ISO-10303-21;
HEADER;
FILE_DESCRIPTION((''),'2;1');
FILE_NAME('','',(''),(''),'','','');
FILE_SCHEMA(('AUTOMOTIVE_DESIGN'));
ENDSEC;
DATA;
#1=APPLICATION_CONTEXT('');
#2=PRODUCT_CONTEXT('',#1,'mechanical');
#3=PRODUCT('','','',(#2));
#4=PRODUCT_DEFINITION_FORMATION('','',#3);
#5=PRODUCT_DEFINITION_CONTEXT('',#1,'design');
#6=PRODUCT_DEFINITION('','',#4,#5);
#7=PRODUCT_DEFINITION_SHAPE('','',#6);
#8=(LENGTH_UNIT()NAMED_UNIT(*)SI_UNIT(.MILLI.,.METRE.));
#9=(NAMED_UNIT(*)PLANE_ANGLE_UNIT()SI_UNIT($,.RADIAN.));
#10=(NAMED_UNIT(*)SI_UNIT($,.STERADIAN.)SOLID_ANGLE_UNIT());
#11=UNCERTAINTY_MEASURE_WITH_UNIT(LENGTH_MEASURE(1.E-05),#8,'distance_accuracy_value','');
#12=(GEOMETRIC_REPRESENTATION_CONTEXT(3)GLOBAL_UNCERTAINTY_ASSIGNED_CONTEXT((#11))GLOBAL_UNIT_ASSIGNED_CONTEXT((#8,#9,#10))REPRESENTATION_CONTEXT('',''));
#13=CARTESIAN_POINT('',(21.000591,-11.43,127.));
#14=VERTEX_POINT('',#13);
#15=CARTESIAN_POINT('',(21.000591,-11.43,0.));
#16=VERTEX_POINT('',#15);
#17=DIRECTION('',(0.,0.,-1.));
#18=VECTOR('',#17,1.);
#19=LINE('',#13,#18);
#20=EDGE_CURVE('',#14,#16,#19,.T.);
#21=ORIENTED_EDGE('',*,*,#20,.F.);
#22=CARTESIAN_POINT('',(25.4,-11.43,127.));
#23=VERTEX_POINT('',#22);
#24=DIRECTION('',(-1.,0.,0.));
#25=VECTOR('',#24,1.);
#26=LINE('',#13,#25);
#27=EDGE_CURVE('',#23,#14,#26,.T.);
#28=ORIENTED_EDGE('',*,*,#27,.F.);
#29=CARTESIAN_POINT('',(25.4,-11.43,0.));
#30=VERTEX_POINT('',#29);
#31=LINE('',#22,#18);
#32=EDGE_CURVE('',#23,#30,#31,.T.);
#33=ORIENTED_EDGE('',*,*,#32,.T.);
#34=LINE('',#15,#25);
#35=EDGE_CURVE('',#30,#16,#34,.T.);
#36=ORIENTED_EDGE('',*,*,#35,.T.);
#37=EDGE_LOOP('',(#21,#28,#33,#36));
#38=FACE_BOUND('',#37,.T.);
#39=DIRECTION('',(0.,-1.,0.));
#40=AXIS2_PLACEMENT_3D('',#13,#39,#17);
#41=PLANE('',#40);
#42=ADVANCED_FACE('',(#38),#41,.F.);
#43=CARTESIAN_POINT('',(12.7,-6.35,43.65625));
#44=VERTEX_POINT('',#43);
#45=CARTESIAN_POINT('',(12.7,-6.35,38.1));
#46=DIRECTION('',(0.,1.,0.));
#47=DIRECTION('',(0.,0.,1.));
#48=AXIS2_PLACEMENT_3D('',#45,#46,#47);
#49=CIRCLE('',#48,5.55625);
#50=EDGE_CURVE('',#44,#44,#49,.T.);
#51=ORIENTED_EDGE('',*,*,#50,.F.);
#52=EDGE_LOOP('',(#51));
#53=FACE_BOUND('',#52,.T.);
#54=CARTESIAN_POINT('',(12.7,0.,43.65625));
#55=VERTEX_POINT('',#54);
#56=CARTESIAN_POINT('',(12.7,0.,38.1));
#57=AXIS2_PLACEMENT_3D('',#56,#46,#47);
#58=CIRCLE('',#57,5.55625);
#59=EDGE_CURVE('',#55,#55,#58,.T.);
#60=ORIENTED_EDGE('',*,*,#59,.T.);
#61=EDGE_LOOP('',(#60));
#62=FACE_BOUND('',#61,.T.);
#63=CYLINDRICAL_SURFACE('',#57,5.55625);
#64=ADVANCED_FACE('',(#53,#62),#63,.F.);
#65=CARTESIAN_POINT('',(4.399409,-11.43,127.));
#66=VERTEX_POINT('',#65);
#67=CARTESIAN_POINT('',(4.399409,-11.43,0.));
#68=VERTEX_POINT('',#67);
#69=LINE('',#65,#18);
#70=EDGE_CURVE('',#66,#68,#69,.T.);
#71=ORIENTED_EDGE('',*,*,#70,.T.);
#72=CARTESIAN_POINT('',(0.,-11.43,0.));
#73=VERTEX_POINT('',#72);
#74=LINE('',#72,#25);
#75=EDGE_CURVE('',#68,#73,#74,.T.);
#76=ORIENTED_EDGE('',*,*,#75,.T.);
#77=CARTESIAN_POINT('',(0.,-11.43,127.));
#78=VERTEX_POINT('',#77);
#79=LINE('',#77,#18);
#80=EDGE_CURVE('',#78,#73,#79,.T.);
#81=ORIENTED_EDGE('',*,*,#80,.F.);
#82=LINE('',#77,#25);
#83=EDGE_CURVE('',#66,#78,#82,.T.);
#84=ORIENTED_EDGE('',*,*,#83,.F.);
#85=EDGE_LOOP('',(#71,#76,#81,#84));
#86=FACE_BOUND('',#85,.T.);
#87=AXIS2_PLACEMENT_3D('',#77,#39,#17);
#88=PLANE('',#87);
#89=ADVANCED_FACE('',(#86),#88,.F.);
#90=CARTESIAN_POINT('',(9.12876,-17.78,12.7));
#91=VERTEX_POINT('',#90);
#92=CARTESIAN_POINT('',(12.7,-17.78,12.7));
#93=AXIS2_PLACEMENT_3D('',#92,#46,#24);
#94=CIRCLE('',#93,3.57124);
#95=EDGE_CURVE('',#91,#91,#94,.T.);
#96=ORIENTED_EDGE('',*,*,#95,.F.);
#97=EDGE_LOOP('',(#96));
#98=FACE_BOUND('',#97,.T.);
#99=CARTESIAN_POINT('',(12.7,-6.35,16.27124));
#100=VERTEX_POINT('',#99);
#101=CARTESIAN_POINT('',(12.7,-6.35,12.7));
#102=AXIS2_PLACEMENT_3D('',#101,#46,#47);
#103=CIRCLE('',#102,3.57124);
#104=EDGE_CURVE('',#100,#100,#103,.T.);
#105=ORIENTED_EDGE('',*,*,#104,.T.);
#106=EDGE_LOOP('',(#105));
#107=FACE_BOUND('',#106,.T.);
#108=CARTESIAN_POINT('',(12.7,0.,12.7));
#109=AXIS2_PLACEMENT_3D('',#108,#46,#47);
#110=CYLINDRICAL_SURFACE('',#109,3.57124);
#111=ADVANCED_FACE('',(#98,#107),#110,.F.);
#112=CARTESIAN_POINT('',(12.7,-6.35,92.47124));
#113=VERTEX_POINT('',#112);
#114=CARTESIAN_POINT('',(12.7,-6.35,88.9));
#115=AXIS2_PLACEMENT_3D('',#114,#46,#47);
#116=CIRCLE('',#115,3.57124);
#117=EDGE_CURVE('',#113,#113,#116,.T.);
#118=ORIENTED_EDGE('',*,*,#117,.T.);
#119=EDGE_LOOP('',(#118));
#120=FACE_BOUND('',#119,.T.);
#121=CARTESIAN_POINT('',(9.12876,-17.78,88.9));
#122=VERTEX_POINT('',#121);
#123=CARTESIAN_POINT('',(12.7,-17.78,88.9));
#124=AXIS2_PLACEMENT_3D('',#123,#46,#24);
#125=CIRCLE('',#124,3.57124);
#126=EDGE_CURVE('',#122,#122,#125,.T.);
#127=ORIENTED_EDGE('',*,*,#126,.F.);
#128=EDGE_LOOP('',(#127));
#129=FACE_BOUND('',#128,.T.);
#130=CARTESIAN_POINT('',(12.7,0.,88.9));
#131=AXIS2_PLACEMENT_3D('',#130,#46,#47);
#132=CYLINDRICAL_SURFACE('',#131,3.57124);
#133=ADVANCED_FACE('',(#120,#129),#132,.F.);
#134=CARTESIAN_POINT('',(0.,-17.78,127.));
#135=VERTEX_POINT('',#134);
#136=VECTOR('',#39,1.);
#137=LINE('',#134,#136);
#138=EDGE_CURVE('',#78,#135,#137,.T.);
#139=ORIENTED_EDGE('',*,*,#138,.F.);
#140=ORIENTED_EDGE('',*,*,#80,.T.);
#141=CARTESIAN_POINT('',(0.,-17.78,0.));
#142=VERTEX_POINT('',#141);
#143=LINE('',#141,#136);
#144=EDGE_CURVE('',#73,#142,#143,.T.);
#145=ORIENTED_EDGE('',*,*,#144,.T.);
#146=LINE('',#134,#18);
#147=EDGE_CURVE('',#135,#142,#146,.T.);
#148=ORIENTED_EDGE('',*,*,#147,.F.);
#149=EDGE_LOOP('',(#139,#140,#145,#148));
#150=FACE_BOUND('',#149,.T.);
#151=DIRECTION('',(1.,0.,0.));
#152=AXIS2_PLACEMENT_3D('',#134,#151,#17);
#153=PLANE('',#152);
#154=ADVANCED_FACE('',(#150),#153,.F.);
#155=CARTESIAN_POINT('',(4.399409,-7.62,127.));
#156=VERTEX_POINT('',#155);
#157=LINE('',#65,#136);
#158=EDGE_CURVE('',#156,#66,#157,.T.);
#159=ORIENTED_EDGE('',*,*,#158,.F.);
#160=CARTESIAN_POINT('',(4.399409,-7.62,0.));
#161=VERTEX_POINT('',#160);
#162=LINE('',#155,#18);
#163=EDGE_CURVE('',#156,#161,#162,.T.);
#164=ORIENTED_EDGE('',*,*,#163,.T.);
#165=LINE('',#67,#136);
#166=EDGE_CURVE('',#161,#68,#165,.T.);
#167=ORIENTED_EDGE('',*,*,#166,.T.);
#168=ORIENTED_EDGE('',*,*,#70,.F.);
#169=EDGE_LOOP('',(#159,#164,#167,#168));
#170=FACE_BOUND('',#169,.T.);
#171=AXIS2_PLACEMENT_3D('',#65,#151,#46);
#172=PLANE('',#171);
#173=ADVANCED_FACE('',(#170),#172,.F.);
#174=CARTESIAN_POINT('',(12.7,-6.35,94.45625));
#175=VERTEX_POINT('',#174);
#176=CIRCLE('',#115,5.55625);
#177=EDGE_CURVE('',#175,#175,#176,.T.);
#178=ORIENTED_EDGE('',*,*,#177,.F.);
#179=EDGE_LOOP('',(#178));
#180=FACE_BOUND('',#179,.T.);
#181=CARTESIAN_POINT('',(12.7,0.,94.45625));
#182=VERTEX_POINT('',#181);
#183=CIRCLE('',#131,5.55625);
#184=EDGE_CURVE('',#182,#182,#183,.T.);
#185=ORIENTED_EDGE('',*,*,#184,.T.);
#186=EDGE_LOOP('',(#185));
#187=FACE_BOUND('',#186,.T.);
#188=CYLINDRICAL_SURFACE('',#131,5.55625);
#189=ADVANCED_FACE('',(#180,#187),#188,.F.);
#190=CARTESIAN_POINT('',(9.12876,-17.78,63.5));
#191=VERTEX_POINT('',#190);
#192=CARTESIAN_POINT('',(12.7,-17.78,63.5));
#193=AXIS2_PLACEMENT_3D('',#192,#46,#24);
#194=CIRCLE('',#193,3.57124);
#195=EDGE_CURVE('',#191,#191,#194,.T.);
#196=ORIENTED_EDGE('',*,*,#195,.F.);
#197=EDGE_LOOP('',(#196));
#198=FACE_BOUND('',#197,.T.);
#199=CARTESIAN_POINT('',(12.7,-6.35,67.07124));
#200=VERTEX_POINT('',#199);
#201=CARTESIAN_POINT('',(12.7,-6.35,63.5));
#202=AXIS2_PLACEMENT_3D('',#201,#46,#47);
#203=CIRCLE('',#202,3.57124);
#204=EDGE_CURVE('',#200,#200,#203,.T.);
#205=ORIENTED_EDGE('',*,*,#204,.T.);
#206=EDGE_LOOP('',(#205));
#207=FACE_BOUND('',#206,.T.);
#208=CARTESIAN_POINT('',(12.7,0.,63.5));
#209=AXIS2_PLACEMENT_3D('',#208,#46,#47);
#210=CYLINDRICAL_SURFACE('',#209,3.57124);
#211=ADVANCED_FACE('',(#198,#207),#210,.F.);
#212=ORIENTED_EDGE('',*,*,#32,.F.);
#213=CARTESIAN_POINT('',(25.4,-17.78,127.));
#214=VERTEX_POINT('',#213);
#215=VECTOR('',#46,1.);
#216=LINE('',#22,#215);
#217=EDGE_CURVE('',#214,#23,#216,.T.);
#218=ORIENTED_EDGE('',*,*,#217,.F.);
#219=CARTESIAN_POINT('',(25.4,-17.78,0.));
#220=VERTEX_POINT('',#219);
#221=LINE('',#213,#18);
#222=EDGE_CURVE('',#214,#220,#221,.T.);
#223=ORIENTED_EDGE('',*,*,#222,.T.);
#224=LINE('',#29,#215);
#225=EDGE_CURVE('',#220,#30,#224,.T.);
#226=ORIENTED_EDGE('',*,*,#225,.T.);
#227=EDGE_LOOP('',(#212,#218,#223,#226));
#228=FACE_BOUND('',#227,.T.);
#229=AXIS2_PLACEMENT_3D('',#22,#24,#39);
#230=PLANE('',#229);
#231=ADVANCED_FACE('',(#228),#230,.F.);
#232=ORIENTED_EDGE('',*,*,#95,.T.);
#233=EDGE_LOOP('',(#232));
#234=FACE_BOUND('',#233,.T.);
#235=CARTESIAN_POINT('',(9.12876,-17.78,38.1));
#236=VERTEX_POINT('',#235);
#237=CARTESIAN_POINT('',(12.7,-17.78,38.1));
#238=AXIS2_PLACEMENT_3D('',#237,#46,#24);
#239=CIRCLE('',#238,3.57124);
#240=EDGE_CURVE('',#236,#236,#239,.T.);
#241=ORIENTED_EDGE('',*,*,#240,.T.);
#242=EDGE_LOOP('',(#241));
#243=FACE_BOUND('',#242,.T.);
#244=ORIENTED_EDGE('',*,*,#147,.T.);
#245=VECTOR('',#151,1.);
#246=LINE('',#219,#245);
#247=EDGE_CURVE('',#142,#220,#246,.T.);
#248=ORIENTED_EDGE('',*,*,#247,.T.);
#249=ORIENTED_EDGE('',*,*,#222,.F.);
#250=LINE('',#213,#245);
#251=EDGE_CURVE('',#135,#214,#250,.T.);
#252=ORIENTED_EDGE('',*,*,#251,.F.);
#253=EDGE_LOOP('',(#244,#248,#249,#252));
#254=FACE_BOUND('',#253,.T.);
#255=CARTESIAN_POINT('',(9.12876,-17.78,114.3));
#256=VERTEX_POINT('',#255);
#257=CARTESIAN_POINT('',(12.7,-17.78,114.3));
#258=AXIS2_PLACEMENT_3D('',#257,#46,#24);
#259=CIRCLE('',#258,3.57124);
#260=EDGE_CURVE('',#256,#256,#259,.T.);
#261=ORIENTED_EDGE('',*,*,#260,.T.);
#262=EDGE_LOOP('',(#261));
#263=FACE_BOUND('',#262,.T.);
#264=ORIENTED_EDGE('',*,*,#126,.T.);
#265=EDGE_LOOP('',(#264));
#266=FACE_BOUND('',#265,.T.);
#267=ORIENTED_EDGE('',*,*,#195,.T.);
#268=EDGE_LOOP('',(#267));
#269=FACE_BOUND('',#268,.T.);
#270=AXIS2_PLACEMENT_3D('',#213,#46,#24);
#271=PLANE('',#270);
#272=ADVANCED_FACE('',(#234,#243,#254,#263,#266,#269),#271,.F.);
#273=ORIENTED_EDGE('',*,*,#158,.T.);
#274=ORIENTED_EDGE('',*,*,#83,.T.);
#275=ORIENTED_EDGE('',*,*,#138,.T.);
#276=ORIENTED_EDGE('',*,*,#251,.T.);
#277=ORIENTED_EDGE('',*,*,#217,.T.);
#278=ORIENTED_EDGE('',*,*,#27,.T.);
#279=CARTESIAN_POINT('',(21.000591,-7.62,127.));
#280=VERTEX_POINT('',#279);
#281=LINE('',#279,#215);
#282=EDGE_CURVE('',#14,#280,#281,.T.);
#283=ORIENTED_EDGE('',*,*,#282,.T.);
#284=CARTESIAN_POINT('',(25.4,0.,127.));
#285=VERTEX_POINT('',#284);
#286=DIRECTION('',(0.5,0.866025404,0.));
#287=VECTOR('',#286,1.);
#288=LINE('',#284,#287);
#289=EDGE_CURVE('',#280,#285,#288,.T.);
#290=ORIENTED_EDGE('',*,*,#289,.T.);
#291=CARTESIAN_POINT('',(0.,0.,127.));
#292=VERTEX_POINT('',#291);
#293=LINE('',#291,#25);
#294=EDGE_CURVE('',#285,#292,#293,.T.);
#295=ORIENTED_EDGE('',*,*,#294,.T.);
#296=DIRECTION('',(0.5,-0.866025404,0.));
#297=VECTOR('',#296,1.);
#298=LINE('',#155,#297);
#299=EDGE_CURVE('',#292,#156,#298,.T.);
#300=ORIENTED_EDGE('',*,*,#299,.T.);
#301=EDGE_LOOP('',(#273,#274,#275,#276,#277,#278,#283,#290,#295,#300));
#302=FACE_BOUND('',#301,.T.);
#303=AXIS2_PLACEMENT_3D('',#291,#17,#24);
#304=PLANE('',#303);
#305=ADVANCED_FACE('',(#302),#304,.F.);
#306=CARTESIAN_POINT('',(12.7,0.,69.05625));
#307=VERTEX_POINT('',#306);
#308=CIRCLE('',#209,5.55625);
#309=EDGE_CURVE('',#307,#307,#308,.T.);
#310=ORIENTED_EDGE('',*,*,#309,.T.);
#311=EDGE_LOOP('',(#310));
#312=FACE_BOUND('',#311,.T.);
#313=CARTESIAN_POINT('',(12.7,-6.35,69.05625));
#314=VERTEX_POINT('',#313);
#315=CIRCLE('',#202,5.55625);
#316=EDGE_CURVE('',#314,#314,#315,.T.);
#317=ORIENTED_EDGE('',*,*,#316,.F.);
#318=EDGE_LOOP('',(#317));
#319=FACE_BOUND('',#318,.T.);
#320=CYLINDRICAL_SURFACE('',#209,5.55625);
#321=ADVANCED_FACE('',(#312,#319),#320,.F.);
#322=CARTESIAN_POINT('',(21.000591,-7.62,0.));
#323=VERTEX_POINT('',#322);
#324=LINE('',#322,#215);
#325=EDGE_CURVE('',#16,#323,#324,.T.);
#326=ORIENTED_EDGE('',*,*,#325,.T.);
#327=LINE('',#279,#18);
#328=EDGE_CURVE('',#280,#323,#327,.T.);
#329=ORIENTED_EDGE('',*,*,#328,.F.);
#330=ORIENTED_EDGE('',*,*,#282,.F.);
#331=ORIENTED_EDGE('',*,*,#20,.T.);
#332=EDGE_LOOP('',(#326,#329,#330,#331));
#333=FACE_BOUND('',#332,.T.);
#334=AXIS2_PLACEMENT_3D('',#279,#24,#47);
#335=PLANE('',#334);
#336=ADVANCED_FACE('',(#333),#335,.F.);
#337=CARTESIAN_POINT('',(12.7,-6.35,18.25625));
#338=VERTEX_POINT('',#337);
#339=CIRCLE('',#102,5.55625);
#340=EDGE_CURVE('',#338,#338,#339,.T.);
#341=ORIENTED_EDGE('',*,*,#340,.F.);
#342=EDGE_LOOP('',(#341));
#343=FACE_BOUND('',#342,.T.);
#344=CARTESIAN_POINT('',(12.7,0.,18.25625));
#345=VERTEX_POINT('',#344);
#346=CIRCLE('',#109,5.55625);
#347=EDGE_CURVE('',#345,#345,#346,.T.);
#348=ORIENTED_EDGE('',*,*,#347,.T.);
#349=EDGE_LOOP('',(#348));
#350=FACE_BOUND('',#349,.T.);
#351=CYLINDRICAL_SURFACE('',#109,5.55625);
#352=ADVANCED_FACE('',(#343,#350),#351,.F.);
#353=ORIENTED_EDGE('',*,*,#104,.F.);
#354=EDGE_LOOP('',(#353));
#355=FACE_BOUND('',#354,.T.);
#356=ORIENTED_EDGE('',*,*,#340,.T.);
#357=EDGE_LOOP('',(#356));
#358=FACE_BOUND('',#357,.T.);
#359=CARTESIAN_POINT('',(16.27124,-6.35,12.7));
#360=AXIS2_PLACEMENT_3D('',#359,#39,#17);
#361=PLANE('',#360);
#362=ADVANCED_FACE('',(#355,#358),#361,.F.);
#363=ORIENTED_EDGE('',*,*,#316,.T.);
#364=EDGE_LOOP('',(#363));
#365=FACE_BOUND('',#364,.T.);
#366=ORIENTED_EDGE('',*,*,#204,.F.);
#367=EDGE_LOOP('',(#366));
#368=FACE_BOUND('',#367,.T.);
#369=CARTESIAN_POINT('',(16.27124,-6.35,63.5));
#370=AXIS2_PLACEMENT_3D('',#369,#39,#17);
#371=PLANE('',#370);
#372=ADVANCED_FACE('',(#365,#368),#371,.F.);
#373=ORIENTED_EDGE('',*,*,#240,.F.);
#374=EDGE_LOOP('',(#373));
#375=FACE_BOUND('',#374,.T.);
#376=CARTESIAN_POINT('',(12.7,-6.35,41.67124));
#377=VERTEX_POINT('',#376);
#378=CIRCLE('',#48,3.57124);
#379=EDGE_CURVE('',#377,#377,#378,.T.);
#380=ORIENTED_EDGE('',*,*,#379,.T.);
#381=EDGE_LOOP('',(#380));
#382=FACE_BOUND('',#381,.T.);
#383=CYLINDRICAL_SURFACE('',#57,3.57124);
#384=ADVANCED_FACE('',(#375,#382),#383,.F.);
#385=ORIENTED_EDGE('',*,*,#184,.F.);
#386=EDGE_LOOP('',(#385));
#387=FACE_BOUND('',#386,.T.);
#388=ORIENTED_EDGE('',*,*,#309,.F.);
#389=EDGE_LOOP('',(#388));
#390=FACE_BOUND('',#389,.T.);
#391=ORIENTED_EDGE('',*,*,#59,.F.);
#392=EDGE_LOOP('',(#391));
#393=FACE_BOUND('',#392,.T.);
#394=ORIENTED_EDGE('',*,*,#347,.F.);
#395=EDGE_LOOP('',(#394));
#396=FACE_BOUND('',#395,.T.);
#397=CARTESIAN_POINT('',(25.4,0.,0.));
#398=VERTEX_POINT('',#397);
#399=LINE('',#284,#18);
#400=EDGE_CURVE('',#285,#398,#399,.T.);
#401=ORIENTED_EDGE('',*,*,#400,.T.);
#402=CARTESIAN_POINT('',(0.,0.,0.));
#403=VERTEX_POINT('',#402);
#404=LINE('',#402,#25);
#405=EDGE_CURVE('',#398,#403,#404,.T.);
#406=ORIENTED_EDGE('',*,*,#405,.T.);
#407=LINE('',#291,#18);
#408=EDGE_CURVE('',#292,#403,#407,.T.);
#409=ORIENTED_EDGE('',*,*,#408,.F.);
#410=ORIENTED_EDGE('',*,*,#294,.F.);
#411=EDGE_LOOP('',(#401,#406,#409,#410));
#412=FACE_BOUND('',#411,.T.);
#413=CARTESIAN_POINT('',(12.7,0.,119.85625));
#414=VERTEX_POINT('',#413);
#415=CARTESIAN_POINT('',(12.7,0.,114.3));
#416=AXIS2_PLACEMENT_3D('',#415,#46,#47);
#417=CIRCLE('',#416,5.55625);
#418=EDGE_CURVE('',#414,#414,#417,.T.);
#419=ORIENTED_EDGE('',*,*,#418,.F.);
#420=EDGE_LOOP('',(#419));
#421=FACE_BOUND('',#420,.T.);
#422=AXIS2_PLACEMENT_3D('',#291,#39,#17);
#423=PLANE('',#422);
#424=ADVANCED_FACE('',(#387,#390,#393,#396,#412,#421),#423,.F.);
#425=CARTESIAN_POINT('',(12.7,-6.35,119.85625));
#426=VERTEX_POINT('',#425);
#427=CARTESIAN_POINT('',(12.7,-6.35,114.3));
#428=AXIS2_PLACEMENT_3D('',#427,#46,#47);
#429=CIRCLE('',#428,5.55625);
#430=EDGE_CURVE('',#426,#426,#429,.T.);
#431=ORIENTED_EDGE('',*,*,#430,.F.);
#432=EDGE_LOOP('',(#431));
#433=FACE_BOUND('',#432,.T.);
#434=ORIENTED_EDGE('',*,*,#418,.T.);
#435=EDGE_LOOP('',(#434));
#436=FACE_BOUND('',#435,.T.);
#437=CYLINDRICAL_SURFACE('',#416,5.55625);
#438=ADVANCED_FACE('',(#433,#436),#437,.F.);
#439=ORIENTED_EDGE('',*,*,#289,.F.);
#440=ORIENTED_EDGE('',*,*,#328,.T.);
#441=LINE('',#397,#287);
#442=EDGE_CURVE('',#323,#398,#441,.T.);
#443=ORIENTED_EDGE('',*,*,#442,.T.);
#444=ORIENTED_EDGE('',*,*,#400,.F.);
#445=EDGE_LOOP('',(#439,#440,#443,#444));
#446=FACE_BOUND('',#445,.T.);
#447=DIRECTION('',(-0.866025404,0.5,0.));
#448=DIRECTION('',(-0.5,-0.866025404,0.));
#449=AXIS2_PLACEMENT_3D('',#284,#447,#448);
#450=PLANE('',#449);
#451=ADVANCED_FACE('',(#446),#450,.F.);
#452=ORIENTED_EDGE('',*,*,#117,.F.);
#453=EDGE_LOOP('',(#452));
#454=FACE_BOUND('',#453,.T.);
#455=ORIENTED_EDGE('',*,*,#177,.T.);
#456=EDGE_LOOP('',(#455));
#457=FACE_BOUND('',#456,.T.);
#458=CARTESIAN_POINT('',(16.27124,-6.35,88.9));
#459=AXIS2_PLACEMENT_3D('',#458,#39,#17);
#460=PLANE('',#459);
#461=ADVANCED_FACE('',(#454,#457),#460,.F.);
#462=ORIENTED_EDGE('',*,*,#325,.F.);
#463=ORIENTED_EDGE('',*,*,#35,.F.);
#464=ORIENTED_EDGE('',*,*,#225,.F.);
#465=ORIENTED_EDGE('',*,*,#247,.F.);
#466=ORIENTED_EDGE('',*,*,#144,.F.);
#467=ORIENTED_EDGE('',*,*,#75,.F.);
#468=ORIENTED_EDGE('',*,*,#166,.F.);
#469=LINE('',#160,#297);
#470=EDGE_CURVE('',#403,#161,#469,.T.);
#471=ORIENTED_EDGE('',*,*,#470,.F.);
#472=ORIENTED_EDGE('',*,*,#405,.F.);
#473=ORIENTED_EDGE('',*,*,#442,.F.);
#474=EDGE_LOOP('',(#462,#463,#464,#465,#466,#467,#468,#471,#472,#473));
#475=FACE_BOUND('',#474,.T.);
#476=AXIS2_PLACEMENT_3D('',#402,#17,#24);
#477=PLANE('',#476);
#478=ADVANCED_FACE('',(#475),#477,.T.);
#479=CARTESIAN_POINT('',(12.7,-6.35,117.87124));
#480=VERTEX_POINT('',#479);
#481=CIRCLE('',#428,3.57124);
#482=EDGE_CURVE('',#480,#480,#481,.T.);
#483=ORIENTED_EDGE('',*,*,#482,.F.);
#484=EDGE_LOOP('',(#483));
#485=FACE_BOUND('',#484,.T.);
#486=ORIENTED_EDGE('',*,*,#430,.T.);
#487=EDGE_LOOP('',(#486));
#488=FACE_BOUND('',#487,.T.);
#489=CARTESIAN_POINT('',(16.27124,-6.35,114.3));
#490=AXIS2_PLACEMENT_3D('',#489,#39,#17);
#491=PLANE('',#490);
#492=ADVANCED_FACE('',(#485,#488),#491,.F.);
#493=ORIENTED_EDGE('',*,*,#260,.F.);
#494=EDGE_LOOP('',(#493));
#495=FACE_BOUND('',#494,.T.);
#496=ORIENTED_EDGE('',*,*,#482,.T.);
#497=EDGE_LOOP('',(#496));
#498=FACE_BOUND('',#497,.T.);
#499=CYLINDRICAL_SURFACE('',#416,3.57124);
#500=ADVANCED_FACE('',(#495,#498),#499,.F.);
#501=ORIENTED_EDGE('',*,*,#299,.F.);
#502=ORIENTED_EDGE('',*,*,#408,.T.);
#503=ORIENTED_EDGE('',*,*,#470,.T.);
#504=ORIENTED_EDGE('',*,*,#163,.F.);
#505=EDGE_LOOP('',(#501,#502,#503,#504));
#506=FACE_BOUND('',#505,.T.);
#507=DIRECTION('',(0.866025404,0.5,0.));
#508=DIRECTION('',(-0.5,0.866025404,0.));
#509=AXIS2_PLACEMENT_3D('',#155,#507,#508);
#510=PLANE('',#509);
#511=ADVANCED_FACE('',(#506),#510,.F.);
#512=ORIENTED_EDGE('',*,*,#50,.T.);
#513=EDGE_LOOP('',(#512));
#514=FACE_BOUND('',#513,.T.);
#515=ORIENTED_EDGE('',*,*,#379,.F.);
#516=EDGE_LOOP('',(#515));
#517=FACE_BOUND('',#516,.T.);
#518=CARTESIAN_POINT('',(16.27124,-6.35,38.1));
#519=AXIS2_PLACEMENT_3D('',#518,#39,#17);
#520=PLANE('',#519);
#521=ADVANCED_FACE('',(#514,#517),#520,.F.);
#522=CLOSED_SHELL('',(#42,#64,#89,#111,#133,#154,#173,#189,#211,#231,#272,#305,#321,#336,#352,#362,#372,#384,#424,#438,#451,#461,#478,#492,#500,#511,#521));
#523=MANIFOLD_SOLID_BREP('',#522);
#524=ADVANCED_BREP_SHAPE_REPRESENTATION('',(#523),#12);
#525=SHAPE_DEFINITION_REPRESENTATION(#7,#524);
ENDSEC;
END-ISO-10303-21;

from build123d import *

# Parameters (mm, degrees)
BOSS_EXTRUDE1_DEPTH                              = 127
CBORE_FOR_1_4_SOCKET_HEAD_CAP_SCREW1_D           = 7.14248
CBORE_FOR_1_4_SOCKET_HEAD_CAP_SCREW1_CBORE_D     = 11.1125
CBORE_FOR_1_4_SOCKET_HEAD_CAP_SCREW1_CBORE_DEPTH = 6.35


with BuildPart() as part:
    # Sketch1 → Boss-Extrude1 (new body)
    with BuildSketch(Plane.XY):
        Polygon((0, 0), (25.4, 0), (21.000590949, -7.62), (21.000590949, -11.43), (25.4, -11.43), (25.4, -17.78), (0, -17.78), (0, -11.43), (4.399409051, -11.43), (4.399409051, -7.62), align=None)
    extrude(amount=BOSS_EXTRUDE1_DEPTH)

    # CBORE for 1/4 Socket Head Cap Screw1 (through all)
    with Locations(Plane(origin=(0, 0, 0), x_dir=(1, 0, 0), z_dir=(0, 1, 0))):
        with Locations((12.7, -12.7), (12.7, -38.1), (12.7, -63.5), (12.7, -88.9), (12.7, -114.3)):
            CounterBoreHole(CBORE_FOR_1_4_SOCKET_HEAD_CAP_SCREW1_D / 2, CBORE_FOR_1_4_SOCKET_HEAD_CAP_SCREW1_CBORE_D / 2, CBORE_FOR_1_4_SOCKET_HEAD_CAP_SCREW1_CBORE_DEPTH)


solid = part.part
